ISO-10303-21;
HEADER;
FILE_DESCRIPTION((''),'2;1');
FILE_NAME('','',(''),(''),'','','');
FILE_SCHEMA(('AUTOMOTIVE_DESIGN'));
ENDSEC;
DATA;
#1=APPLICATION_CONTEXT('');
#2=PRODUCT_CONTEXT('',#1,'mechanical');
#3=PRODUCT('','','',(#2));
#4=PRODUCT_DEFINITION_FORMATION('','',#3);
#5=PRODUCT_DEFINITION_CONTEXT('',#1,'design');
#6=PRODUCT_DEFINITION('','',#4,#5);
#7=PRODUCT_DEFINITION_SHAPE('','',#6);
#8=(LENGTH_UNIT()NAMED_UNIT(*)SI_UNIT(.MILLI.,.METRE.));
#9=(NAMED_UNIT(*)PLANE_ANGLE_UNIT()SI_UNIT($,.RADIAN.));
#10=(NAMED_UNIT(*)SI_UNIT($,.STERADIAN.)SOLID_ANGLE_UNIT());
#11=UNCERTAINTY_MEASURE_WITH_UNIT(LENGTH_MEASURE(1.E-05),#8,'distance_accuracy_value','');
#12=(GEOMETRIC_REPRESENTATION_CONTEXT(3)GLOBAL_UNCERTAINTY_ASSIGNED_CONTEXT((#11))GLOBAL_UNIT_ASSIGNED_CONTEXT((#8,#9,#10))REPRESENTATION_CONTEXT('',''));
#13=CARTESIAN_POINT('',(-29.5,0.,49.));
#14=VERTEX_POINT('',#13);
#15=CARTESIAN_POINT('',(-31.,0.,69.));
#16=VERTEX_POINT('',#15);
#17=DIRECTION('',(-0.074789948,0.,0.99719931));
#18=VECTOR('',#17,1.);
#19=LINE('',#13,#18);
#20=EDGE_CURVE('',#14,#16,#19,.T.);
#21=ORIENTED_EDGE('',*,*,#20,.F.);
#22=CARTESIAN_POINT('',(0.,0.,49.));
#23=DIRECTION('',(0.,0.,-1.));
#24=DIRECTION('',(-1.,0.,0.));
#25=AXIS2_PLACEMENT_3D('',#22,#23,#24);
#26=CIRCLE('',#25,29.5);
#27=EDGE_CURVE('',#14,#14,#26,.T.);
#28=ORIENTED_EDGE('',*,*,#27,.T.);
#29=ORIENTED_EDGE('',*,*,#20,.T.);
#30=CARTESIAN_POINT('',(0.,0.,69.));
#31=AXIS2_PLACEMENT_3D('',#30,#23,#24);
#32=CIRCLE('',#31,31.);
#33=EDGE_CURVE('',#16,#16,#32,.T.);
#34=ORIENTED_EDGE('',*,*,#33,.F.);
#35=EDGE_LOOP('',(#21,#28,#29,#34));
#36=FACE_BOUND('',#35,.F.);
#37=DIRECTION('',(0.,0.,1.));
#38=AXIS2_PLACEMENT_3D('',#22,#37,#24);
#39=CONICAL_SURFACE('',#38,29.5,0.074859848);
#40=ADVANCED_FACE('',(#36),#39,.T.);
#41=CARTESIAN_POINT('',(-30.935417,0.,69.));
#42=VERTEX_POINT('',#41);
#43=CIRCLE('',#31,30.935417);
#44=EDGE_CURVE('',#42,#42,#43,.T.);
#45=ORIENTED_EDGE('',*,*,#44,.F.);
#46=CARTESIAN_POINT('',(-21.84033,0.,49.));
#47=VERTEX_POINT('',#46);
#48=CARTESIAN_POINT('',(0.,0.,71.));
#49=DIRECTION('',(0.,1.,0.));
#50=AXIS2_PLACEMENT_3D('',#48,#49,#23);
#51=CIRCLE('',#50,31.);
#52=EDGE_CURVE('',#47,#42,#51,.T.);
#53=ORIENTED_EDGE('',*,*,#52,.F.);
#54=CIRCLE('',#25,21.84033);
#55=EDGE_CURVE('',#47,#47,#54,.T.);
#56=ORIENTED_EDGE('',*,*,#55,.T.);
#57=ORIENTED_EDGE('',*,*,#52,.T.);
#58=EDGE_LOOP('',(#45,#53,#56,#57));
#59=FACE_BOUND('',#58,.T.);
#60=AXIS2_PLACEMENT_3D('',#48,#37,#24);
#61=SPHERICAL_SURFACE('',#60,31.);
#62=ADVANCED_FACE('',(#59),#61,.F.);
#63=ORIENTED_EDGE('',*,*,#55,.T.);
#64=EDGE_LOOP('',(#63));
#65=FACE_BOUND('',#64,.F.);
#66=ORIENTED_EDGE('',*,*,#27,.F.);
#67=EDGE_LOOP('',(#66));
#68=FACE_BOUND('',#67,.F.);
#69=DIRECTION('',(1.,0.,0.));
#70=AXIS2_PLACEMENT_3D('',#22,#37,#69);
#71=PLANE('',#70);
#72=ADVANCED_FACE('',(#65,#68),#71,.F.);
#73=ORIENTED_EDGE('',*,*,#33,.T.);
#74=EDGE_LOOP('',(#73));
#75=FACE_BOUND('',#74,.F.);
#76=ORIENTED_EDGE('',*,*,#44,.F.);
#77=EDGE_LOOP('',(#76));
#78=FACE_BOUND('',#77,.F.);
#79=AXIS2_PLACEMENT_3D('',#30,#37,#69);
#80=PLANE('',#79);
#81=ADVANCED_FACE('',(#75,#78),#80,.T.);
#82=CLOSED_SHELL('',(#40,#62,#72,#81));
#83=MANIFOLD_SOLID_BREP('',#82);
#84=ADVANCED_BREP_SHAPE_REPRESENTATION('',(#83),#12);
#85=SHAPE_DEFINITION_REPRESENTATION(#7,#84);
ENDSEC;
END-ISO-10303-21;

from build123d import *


with BuildPart() as sphere:
    # Sphere → Sphere (revolve)
    with BuildSketch(Plane(origin=(0, 0, 71), x_dir=(1, 0, 0), z_dir=(0, -1, 0))):
        with BuildLine():
            ThreePointArc((0, -31), (31, 0), (0, 31))
            Line((0, 31), (0, -31))
        make_face()
    revolve(axis=Axis((0, 0, 71), (0, 0, 1)))


with BuildPart() as cut002:
    # Cone002 → Cone002 (revolve)
    with BuildSketch(Plane(origin=(0, 0, 49), x_dir=(1, 0, 0), z_dir=(0, -1, 0))):
        Polygon((0, 0), (29.5, 0), (31, 20), (0, 20), align=None)
    revolve(axis=Axis((0, 0, 49), (0, 0, 1)))

    # Cut002: cut Sphere
    add(sphere.part, mode=Mode.SUBTRACT)


with BuildPart() as part_mirroring002:
    # Part__Mirroring002: instance of Cut002
    add(cut002.part.mirror(Plane(origin=(0, 0, 0), x_dir=(0, -1, 0), z_dir=(1, 0, 0))))


solid = part_mirroring002.part
